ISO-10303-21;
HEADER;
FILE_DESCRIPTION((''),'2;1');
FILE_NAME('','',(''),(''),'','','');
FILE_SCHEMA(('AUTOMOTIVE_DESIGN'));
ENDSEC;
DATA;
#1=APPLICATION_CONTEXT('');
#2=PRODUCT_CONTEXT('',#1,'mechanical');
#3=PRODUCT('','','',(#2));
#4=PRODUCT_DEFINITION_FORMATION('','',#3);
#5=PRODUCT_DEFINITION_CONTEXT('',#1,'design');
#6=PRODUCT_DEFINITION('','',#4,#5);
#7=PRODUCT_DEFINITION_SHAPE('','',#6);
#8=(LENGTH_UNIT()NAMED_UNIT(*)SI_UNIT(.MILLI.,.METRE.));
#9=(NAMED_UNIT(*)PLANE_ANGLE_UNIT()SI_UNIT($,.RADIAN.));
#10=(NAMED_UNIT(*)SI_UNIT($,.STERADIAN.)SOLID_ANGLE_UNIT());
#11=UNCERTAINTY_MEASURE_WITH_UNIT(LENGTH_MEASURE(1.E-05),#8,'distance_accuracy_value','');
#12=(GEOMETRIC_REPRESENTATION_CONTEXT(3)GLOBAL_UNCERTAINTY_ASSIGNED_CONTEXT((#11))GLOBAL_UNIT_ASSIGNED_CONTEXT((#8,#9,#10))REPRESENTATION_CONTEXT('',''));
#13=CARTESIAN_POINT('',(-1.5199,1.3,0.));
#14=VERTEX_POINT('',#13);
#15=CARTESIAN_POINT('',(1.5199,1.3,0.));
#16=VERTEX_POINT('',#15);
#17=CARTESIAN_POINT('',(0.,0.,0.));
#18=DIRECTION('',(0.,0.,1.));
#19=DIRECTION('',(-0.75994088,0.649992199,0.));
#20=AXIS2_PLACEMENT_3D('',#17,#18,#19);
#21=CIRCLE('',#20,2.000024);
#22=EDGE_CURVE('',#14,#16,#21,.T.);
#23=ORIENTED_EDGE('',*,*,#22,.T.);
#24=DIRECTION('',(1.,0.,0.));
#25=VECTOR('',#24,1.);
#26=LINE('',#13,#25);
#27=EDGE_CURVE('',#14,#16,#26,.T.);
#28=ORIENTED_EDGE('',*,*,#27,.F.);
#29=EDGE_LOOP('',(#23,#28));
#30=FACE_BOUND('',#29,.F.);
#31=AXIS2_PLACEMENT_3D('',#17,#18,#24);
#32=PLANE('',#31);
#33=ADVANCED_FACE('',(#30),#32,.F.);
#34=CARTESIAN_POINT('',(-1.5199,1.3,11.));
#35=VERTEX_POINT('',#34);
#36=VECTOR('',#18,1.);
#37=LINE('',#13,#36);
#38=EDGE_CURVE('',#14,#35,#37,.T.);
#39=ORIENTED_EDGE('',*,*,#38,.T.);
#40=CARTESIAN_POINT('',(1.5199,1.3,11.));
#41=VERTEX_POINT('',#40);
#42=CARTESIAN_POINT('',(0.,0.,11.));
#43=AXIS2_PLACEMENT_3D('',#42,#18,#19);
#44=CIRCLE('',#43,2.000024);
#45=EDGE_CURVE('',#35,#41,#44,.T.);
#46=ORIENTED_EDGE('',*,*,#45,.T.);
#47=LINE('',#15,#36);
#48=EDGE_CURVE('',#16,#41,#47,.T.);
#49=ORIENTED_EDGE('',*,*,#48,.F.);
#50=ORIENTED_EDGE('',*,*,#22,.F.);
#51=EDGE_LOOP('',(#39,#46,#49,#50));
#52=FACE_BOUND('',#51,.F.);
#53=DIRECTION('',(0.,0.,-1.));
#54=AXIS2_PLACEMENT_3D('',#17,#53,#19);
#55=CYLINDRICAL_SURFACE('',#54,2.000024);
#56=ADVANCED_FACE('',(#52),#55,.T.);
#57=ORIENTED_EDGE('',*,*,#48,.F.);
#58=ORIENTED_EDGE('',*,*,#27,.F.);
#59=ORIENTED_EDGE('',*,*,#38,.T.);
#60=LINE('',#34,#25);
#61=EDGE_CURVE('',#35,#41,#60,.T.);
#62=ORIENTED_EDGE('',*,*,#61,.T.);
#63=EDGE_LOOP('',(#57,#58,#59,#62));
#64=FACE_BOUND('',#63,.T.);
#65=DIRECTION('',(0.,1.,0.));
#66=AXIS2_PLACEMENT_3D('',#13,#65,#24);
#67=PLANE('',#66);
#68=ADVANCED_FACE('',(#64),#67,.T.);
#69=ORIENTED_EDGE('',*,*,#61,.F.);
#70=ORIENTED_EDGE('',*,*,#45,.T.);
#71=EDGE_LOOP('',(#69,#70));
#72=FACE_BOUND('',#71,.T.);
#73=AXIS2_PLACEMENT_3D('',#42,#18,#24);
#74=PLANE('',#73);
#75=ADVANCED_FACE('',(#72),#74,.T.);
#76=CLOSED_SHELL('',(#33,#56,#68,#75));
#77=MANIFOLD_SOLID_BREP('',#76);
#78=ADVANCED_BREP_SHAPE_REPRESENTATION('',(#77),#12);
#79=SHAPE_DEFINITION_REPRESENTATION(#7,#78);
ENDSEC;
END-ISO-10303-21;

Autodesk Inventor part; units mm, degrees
ref_plane "YZ Plane" through (0, 0, 0) normal (1, 0, 0) x (0, 1, 0)
ref_plane "XZ Plane" through (0, 0, 0) normal (0, 1, 0) x (-1, 0, 0)
ref_plane "XY Plane" through (0, 0, 0) normal (0, 0, 1) x (1, 0, 0)
sketch "Sketch1" plane through (0, 0, 0) normal (0, 0, 1) x (1, 0, 0)
  arc A0 (-1.5199, 1.3) -> (1.5199, 1.3) centre (0, 0) ccw
  line L0 (-1.5199, 1.3) -> (1.5199, 1.3)
  dimension "d0" = 4
  dimension "d1" = 3.3
extrude "Extrusion1" add sketch "Sketch1" along normal blind 11
properties part number "Motor Shaft"
